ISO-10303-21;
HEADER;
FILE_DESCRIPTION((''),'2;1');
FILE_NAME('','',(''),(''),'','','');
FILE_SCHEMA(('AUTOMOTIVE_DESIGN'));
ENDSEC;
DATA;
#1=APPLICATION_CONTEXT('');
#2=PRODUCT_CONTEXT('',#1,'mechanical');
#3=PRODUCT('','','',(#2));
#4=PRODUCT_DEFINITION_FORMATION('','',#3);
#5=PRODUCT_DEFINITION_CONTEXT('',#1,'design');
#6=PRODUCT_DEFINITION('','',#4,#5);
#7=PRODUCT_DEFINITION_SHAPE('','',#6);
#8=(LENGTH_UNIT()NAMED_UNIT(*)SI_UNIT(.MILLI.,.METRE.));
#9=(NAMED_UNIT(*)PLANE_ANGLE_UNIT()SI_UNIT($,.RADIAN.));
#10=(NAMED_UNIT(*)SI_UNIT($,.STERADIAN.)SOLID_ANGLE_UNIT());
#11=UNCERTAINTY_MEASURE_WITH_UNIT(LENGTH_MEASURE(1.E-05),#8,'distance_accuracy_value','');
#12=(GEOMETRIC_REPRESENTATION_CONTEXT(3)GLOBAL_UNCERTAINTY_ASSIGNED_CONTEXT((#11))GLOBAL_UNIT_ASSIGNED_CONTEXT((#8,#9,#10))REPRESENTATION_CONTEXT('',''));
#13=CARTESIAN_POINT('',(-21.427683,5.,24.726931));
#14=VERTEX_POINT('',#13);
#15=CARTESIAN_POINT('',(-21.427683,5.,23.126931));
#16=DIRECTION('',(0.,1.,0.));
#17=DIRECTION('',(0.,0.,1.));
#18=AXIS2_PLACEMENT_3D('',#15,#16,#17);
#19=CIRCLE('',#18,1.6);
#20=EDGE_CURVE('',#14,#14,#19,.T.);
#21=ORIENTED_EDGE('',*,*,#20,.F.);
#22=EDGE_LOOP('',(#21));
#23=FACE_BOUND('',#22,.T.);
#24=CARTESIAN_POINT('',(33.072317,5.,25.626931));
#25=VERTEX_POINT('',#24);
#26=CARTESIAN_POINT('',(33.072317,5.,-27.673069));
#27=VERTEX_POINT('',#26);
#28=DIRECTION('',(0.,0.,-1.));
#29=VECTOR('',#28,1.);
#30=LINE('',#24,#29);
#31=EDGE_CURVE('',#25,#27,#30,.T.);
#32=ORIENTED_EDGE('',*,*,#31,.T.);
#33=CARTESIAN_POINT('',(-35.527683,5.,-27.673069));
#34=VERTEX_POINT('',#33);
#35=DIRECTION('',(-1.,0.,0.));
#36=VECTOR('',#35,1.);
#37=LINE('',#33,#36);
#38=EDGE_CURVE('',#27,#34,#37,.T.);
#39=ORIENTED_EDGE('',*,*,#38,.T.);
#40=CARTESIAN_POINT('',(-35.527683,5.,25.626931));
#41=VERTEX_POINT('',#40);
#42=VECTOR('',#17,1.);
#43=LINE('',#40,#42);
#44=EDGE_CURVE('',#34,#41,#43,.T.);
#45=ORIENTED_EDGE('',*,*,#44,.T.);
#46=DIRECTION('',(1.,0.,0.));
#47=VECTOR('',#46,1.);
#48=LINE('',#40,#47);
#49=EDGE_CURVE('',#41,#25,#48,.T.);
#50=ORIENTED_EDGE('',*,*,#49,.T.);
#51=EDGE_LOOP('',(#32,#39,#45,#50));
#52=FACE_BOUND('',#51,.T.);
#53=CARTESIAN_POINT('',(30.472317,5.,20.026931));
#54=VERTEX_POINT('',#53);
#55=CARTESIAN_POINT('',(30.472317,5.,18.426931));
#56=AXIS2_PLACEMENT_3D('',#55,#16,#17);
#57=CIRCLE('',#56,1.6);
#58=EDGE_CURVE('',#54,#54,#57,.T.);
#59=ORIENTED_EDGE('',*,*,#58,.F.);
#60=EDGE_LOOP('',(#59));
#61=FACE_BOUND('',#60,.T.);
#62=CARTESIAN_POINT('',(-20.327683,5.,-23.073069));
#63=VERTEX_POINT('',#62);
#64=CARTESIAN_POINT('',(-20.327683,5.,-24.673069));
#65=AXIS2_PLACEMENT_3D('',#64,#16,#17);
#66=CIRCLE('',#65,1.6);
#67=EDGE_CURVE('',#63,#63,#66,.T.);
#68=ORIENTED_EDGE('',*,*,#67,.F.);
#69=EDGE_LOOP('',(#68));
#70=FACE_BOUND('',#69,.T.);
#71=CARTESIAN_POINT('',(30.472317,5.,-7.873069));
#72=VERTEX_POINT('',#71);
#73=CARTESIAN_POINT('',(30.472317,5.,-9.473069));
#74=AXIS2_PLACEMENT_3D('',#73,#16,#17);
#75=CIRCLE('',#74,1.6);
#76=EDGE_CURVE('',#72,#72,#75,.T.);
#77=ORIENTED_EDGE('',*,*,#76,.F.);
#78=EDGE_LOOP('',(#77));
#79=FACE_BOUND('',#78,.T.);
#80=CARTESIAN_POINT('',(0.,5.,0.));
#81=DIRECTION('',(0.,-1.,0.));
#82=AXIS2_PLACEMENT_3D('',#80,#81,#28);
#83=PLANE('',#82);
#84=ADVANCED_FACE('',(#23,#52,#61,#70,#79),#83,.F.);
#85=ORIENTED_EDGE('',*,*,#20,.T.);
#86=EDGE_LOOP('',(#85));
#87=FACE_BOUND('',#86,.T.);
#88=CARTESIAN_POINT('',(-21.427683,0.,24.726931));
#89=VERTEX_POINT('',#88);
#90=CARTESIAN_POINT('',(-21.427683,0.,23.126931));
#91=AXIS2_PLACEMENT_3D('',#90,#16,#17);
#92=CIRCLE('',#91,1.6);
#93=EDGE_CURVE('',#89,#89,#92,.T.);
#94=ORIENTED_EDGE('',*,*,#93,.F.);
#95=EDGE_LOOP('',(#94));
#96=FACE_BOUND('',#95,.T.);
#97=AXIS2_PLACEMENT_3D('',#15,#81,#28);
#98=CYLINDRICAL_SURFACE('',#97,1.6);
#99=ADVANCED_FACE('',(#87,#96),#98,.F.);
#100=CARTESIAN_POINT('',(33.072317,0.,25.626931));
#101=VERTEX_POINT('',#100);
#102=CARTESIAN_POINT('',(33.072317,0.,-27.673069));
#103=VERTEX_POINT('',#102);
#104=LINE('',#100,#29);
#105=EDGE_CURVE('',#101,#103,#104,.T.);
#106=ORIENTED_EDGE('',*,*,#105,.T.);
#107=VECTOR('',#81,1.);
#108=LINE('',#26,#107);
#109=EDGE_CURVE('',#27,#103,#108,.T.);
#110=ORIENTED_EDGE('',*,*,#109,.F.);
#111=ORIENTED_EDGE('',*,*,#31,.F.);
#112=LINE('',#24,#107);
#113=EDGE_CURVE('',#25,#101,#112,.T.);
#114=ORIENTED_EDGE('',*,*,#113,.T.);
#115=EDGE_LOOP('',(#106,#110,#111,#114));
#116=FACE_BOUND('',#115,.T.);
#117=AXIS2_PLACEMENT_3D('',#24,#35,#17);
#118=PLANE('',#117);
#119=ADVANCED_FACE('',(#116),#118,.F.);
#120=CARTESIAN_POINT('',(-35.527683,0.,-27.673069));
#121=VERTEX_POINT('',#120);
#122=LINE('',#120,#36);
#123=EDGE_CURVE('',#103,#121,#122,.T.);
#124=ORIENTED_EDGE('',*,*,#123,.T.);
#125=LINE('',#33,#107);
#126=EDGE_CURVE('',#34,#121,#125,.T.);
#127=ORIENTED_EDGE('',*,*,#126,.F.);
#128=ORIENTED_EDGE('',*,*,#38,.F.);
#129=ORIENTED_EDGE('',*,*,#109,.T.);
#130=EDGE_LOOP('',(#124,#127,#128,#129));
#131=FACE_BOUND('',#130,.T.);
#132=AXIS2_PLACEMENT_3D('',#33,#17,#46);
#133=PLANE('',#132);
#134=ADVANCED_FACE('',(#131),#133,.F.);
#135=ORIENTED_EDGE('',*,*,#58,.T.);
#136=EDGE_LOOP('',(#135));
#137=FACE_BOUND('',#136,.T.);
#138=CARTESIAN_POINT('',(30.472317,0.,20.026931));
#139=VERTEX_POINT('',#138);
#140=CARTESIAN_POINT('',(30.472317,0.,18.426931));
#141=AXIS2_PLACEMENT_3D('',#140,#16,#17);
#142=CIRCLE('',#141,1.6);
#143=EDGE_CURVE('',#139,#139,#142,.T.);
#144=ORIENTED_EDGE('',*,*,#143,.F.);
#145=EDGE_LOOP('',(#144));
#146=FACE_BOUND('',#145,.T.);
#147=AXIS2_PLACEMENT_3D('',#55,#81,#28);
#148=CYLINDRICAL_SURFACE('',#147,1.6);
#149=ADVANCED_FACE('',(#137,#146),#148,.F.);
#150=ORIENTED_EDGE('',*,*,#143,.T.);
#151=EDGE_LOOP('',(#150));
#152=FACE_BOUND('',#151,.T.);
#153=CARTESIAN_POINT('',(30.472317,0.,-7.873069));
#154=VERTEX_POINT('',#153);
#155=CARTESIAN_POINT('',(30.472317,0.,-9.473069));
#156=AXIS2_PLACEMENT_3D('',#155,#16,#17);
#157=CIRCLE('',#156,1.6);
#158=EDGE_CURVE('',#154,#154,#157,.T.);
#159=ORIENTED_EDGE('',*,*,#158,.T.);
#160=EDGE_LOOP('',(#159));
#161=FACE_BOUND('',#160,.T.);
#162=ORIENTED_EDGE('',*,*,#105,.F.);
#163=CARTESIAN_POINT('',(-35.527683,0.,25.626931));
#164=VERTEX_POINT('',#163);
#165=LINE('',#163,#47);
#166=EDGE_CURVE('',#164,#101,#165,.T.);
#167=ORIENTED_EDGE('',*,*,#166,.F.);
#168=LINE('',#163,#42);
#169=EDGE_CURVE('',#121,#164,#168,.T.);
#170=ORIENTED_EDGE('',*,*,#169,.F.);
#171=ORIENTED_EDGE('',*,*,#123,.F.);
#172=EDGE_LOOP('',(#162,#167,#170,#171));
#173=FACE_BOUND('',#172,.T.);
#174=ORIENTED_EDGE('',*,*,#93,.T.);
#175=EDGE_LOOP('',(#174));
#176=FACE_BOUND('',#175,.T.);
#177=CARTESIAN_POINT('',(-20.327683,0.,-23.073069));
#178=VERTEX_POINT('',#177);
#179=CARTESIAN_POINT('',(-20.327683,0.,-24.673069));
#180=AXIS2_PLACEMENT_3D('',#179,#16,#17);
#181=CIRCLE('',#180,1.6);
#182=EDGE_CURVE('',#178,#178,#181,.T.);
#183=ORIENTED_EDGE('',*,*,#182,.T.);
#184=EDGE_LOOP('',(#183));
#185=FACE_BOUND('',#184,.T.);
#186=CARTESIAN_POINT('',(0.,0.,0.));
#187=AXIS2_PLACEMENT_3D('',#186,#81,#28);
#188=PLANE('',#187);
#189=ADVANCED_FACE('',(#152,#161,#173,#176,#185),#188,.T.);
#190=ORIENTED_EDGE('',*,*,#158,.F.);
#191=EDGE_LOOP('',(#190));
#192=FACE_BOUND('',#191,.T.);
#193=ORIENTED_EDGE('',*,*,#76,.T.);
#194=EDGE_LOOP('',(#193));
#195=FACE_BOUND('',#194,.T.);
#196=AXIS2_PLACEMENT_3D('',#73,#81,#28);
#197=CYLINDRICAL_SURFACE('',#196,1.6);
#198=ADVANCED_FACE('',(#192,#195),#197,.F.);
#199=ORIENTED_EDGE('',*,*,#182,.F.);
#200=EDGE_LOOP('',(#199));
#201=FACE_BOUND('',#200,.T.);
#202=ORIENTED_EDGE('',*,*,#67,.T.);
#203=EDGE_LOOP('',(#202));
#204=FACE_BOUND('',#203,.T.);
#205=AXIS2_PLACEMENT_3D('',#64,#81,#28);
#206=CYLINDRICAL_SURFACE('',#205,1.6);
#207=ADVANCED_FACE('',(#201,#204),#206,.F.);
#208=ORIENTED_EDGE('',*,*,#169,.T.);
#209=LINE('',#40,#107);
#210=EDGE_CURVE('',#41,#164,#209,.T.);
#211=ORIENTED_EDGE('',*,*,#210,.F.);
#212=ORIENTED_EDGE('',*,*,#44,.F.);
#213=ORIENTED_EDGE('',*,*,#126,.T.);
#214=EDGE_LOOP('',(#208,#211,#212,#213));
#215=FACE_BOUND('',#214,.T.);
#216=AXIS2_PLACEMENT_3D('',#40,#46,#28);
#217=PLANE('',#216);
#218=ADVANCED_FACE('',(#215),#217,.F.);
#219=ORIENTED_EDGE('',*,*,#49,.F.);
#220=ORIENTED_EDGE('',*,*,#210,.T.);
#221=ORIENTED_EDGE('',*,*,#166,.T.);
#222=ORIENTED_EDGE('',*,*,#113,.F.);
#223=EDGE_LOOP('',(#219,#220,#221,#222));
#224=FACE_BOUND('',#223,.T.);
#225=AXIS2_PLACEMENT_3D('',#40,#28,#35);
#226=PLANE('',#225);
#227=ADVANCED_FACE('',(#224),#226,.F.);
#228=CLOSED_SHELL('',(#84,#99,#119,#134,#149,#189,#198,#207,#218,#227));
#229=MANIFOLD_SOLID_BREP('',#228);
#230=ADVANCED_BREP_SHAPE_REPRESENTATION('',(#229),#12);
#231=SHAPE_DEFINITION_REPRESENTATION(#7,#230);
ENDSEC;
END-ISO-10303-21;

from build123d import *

# Parameters (mm, degrees)
CROQUIS1_W              = 68.6
CROQUIS1_H              = 53.3
CROQUIS1_R              = 1.6
SALIENTE_EXTRUIR1_DEPTH = 5


with BuildPart() as part:
    # Croquis1 → Saliente-Extruir1 (new body)
    with BuildSketch(Plane(origin=(0, 0, 0), x_dir=(1, 0, 0), z_dir=(0, 1, 0))):
        with Locations((-1.22768329, 1.023069409)):
            Rectangle(CROQUIS1_W, CROQUIS1_H)
        with Locations(Location((30.47231671, -18.426930591, 0), (0, 0, 270))):
            Circle(CROQUIS1_R, mode=Mode.SUBTRACT)
        with Locations(Location((30.47231671, 9.473069409, 0), (0, 0, 270))):
            Circle(CROQUIS1_R, mode=Mode.SUBTRACT)
        with Locations(Location((-20.32768329, 24.673069409, 0), (0, 0, 270))):
            Circle(CROQUIS1_R, mode=Mode.SUBTRACT)
        with Locations(Location((-21.42768329, -23.126930591, 0), (0, 0, 270))):
            Circle(CROQUIS1_R, mode=Mode.SUBTRACT)
    extrude(amount=SALIENTE_EXTRUIR1_DEPTH)


solid = part.part
